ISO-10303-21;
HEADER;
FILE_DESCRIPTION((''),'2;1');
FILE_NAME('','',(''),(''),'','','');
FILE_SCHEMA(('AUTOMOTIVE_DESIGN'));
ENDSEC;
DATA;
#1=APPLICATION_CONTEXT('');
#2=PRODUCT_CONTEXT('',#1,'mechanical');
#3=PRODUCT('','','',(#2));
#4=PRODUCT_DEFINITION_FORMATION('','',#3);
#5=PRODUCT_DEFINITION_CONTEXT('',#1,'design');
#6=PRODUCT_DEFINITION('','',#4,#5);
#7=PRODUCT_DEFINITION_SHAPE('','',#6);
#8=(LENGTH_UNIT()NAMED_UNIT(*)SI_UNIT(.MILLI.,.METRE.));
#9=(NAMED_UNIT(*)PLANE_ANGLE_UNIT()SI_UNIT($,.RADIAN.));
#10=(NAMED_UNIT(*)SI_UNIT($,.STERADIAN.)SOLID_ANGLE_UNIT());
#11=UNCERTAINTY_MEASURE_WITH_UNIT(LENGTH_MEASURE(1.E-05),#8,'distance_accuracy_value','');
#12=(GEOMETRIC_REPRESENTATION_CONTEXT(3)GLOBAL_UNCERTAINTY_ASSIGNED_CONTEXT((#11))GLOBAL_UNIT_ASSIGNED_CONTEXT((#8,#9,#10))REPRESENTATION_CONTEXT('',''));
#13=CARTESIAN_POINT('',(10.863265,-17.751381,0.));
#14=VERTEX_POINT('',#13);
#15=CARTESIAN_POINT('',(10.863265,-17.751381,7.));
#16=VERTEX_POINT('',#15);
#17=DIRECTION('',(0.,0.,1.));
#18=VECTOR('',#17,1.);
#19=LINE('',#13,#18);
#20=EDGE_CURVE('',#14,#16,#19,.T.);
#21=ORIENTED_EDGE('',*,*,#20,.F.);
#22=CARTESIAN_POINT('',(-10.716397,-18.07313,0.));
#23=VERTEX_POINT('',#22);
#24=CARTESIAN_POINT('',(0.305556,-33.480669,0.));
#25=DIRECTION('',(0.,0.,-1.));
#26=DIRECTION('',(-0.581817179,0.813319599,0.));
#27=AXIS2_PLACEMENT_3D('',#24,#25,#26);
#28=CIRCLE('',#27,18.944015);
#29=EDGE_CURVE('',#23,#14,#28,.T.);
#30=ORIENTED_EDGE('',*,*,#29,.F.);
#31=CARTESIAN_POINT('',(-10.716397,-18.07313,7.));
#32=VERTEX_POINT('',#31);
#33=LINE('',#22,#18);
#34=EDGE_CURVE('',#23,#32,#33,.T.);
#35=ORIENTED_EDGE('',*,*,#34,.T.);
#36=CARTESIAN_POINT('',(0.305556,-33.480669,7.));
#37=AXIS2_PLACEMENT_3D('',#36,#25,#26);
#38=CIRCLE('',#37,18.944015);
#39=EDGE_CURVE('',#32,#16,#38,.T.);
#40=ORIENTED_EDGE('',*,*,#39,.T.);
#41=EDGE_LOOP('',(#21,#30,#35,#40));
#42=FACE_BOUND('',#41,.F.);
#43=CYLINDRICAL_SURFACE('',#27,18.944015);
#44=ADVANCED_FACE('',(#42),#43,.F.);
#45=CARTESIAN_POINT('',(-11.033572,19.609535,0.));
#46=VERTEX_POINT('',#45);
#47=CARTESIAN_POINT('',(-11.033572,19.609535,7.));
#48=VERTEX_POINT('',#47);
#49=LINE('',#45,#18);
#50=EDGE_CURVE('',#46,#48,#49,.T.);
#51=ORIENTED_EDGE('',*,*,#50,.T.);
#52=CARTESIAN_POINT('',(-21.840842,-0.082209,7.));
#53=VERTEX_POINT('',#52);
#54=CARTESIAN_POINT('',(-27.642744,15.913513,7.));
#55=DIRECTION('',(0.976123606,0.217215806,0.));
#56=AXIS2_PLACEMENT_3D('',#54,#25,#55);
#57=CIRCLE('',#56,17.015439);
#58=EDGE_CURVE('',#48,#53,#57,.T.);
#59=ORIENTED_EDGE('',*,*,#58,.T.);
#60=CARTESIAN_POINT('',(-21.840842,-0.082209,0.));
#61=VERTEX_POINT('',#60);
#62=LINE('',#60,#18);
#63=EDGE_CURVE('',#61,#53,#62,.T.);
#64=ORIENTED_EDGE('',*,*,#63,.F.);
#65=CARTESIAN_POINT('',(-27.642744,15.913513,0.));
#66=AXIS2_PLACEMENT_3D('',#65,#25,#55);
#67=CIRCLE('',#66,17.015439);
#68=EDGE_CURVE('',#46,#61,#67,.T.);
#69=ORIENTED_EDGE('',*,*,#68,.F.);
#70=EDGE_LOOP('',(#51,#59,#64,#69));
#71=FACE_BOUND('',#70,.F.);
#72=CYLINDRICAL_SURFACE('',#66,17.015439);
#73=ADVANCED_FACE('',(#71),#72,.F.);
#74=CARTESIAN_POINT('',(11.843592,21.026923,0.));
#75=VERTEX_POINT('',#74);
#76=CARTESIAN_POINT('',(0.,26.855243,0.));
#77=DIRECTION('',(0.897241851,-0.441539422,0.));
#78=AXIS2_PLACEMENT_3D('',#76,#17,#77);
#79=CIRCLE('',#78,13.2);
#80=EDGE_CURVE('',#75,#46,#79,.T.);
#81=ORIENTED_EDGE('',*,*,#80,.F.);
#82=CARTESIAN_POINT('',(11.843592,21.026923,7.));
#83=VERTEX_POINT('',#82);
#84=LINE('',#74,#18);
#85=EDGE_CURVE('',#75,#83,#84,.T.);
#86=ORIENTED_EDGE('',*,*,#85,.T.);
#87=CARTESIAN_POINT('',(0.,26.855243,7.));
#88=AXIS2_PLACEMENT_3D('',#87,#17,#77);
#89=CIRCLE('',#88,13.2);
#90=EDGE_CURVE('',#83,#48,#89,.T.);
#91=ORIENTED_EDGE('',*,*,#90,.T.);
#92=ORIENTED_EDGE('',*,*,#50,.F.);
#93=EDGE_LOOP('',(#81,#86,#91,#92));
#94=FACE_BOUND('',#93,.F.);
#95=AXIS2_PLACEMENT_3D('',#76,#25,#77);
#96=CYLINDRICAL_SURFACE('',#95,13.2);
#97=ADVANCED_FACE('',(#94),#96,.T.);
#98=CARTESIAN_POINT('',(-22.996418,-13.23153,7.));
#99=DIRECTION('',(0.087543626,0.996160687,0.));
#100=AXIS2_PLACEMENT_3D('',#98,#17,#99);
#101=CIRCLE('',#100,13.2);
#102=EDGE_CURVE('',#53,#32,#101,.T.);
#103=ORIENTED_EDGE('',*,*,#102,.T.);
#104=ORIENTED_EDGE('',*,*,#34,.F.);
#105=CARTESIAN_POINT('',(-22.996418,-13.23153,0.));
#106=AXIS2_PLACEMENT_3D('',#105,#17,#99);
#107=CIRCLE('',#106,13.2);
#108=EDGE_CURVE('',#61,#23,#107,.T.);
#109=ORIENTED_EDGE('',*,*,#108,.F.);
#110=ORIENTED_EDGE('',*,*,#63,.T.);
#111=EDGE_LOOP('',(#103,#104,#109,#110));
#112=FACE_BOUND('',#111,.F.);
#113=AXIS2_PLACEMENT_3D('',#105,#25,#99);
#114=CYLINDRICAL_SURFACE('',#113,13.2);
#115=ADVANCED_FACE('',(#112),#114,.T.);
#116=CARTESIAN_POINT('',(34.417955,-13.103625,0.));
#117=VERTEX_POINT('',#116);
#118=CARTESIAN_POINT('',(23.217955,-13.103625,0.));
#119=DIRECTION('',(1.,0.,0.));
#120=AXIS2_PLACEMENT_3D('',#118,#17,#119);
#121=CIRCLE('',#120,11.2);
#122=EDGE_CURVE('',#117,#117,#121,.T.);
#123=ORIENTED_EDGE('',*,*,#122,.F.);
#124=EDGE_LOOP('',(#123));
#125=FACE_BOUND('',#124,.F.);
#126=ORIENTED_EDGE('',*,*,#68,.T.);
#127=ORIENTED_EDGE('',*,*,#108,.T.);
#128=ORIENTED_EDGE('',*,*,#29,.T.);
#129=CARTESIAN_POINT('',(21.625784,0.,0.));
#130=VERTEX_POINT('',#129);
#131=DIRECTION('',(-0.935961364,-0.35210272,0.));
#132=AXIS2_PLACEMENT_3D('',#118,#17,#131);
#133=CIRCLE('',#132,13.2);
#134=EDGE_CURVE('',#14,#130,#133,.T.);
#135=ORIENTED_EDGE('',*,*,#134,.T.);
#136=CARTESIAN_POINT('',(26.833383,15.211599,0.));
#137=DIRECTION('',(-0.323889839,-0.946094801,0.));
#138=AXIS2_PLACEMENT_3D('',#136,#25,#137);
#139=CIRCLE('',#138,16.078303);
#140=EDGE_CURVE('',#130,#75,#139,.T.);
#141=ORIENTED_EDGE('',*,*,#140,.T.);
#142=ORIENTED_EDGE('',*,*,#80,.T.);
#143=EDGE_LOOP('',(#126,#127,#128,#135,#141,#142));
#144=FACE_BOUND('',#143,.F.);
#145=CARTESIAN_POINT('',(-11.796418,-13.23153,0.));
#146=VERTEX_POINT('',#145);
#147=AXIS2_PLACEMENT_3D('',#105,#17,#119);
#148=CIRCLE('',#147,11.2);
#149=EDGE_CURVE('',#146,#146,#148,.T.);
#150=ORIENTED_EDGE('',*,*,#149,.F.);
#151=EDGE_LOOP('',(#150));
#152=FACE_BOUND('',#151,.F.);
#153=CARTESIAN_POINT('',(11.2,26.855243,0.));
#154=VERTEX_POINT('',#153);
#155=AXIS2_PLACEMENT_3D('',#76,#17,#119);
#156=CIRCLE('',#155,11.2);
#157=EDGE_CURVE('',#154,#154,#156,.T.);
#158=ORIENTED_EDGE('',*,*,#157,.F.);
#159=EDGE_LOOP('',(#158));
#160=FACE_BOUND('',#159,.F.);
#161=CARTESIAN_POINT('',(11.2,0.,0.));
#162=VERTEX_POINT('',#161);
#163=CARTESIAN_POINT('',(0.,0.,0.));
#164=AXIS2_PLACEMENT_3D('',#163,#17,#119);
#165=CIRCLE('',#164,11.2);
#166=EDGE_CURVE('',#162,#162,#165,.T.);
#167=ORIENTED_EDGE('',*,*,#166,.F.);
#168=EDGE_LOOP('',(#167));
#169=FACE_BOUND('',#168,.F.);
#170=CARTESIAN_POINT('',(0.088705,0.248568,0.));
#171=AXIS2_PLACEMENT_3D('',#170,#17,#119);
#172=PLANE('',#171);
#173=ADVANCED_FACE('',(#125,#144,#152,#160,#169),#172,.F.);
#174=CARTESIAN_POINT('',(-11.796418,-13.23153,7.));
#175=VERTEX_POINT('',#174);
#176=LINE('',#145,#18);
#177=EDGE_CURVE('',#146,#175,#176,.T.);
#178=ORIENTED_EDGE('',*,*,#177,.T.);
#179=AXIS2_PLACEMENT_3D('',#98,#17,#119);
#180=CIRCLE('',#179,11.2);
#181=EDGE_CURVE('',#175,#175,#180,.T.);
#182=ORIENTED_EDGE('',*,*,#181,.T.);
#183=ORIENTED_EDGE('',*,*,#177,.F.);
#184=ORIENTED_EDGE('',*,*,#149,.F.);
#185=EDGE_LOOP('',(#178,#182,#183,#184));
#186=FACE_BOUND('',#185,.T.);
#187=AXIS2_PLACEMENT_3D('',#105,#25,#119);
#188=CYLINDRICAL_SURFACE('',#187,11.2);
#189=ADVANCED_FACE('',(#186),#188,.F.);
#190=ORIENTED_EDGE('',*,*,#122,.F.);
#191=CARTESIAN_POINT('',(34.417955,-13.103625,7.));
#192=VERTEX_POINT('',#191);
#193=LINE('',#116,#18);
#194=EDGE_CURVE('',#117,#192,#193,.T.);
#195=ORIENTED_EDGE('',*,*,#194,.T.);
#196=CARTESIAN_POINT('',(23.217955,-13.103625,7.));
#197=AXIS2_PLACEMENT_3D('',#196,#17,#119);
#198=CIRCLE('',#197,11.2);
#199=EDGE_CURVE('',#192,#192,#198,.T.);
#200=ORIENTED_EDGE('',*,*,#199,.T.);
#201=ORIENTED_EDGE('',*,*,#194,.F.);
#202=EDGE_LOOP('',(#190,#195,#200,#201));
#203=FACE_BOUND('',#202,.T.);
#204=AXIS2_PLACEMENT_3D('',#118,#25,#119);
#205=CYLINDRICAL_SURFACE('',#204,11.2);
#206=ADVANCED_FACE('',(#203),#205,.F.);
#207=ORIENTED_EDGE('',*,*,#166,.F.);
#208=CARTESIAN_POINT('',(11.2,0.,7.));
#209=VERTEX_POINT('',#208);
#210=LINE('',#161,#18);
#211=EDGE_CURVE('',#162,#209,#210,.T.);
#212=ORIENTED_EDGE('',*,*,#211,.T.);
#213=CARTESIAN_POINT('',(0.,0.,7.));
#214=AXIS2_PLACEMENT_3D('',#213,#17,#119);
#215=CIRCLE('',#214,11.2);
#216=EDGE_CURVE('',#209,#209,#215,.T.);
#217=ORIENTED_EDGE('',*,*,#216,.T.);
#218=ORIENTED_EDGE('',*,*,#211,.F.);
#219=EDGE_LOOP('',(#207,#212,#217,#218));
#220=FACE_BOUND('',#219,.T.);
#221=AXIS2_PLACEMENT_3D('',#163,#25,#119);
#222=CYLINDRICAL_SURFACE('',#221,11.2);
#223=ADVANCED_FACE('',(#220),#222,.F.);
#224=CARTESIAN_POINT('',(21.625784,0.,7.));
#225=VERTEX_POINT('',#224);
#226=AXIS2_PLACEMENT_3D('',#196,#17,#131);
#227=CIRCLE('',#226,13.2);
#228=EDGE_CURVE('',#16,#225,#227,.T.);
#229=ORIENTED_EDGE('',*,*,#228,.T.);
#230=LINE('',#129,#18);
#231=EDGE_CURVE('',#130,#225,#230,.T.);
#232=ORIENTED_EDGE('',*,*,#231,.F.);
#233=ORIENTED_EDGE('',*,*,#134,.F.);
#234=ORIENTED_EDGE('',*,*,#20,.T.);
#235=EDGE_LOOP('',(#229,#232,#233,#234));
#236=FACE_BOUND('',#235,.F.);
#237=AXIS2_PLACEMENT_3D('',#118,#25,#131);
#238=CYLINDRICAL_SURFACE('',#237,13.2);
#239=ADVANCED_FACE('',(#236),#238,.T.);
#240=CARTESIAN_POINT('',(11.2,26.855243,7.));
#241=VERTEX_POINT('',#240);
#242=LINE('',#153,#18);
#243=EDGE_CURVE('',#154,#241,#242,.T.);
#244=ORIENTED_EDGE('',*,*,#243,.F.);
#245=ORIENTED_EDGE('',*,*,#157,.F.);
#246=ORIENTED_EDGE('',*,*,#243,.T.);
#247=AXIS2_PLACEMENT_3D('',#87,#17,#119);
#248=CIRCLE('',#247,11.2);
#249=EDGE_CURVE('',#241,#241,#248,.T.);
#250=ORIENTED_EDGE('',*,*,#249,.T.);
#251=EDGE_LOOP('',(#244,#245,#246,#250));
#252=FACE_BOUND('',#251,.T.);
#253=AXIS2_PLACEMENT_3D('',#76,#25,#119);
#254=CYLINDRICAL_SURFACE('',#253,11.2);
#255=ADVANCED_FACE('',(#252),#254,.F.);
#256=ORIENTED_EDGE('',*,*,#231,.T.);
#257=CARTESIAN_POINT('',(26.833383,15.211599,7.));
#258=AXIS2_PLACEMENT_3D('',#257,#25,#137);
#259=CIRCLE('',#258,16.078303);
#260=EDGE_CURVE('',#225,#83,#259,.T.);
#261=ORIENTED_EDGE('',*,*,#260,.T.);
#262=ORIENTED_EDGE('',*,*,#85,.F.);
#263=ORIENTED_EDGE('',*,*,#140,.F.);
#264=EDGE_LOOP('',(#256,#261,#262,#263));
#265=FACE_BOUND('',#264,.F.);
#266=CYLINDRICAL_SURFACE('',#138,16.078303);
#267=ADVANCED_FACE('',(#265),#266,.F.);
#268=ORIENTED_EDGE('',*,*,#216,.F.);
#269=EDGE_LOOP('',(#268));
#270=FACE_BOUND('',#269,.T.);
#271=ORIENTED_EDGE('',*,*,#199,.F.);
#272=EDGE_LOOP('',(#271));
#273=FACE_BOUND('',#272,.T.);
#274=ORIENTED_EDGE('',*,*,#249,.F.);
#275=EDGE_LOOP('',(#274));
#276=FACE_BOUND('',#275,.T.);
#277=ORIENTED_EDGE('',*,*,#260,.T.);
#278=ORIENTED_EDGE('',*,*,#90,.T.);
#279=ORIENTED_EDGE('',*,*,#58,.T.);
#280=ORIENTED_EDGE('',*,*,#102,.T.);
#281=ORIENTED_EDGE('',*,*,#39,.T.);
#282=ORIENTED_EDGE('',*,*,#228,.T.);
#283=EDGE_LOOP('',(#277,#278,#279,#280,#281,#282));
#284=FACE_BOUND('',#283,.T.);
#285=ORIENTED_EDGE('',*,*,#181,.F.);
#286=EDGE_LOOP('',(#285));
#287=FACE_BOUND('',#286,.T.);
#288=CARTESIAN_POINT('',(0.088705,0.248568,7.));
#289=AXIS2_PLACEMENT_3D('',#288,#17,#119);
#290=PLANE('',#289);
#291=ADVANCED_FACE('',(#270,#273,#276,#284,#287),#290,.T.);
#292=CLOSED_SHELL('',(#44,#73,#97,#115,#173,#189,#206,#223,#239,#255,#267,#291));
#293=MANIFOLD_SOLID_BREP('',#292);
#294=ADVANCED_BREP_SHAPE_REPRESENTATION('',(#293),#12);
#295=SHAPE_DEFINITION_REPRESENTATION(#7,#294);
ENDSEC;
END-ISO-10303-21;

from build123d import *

# Parameters (mm, degrees)
F0_R     = 11.2
F1_DEPTH = 7


with BuildPart() as f1:
    # F0 (on Top) → F1 (new body)
    with BuildSketch(Plane.XY):
        with BuildLine():
            ThreePointArc((21.625784, 0), (12.255437, 8.429614), (11.843592, 21.026923))
            ThreePointArc((11.843592, 21.026923), (-0.81626, 40.029981), (-11.033572, 19.609535))
            ThreePointArc((-11.033572, 19.609535), (-12.726134, 7.726943), (-21.840842, -0.082209))
            ThreePointArc((-21.840842, -0.082209), (-34.223489, -20.173639), (-10.716397, -18.07313))
            ThreePointArc((-10.716397, -18.07313), (0.023136, -14.538759), (10.863265, -17.751381))
            ThreePointArc((10.863265, -17.751381), (34.505409, -19.947117), (21.625784, 0))
        make_face()
        with Locations((-22.996418, -13.23153)):
            Circle(F0_R, mode=Mode.SUBTRACT)
        Circle(F0_R, mode=Mode.SUBTRACT)
        with Locations((23.217955, -13.103625)):
            Circle(F0_R, mode=Mode.SUBTRACT)
        with Locations((0, 26.855243)):
            Circle(F0_R, mode=Mode.SUBTRACT)
    extrude(amount=F1_DEPTH)


solid = f1.part
